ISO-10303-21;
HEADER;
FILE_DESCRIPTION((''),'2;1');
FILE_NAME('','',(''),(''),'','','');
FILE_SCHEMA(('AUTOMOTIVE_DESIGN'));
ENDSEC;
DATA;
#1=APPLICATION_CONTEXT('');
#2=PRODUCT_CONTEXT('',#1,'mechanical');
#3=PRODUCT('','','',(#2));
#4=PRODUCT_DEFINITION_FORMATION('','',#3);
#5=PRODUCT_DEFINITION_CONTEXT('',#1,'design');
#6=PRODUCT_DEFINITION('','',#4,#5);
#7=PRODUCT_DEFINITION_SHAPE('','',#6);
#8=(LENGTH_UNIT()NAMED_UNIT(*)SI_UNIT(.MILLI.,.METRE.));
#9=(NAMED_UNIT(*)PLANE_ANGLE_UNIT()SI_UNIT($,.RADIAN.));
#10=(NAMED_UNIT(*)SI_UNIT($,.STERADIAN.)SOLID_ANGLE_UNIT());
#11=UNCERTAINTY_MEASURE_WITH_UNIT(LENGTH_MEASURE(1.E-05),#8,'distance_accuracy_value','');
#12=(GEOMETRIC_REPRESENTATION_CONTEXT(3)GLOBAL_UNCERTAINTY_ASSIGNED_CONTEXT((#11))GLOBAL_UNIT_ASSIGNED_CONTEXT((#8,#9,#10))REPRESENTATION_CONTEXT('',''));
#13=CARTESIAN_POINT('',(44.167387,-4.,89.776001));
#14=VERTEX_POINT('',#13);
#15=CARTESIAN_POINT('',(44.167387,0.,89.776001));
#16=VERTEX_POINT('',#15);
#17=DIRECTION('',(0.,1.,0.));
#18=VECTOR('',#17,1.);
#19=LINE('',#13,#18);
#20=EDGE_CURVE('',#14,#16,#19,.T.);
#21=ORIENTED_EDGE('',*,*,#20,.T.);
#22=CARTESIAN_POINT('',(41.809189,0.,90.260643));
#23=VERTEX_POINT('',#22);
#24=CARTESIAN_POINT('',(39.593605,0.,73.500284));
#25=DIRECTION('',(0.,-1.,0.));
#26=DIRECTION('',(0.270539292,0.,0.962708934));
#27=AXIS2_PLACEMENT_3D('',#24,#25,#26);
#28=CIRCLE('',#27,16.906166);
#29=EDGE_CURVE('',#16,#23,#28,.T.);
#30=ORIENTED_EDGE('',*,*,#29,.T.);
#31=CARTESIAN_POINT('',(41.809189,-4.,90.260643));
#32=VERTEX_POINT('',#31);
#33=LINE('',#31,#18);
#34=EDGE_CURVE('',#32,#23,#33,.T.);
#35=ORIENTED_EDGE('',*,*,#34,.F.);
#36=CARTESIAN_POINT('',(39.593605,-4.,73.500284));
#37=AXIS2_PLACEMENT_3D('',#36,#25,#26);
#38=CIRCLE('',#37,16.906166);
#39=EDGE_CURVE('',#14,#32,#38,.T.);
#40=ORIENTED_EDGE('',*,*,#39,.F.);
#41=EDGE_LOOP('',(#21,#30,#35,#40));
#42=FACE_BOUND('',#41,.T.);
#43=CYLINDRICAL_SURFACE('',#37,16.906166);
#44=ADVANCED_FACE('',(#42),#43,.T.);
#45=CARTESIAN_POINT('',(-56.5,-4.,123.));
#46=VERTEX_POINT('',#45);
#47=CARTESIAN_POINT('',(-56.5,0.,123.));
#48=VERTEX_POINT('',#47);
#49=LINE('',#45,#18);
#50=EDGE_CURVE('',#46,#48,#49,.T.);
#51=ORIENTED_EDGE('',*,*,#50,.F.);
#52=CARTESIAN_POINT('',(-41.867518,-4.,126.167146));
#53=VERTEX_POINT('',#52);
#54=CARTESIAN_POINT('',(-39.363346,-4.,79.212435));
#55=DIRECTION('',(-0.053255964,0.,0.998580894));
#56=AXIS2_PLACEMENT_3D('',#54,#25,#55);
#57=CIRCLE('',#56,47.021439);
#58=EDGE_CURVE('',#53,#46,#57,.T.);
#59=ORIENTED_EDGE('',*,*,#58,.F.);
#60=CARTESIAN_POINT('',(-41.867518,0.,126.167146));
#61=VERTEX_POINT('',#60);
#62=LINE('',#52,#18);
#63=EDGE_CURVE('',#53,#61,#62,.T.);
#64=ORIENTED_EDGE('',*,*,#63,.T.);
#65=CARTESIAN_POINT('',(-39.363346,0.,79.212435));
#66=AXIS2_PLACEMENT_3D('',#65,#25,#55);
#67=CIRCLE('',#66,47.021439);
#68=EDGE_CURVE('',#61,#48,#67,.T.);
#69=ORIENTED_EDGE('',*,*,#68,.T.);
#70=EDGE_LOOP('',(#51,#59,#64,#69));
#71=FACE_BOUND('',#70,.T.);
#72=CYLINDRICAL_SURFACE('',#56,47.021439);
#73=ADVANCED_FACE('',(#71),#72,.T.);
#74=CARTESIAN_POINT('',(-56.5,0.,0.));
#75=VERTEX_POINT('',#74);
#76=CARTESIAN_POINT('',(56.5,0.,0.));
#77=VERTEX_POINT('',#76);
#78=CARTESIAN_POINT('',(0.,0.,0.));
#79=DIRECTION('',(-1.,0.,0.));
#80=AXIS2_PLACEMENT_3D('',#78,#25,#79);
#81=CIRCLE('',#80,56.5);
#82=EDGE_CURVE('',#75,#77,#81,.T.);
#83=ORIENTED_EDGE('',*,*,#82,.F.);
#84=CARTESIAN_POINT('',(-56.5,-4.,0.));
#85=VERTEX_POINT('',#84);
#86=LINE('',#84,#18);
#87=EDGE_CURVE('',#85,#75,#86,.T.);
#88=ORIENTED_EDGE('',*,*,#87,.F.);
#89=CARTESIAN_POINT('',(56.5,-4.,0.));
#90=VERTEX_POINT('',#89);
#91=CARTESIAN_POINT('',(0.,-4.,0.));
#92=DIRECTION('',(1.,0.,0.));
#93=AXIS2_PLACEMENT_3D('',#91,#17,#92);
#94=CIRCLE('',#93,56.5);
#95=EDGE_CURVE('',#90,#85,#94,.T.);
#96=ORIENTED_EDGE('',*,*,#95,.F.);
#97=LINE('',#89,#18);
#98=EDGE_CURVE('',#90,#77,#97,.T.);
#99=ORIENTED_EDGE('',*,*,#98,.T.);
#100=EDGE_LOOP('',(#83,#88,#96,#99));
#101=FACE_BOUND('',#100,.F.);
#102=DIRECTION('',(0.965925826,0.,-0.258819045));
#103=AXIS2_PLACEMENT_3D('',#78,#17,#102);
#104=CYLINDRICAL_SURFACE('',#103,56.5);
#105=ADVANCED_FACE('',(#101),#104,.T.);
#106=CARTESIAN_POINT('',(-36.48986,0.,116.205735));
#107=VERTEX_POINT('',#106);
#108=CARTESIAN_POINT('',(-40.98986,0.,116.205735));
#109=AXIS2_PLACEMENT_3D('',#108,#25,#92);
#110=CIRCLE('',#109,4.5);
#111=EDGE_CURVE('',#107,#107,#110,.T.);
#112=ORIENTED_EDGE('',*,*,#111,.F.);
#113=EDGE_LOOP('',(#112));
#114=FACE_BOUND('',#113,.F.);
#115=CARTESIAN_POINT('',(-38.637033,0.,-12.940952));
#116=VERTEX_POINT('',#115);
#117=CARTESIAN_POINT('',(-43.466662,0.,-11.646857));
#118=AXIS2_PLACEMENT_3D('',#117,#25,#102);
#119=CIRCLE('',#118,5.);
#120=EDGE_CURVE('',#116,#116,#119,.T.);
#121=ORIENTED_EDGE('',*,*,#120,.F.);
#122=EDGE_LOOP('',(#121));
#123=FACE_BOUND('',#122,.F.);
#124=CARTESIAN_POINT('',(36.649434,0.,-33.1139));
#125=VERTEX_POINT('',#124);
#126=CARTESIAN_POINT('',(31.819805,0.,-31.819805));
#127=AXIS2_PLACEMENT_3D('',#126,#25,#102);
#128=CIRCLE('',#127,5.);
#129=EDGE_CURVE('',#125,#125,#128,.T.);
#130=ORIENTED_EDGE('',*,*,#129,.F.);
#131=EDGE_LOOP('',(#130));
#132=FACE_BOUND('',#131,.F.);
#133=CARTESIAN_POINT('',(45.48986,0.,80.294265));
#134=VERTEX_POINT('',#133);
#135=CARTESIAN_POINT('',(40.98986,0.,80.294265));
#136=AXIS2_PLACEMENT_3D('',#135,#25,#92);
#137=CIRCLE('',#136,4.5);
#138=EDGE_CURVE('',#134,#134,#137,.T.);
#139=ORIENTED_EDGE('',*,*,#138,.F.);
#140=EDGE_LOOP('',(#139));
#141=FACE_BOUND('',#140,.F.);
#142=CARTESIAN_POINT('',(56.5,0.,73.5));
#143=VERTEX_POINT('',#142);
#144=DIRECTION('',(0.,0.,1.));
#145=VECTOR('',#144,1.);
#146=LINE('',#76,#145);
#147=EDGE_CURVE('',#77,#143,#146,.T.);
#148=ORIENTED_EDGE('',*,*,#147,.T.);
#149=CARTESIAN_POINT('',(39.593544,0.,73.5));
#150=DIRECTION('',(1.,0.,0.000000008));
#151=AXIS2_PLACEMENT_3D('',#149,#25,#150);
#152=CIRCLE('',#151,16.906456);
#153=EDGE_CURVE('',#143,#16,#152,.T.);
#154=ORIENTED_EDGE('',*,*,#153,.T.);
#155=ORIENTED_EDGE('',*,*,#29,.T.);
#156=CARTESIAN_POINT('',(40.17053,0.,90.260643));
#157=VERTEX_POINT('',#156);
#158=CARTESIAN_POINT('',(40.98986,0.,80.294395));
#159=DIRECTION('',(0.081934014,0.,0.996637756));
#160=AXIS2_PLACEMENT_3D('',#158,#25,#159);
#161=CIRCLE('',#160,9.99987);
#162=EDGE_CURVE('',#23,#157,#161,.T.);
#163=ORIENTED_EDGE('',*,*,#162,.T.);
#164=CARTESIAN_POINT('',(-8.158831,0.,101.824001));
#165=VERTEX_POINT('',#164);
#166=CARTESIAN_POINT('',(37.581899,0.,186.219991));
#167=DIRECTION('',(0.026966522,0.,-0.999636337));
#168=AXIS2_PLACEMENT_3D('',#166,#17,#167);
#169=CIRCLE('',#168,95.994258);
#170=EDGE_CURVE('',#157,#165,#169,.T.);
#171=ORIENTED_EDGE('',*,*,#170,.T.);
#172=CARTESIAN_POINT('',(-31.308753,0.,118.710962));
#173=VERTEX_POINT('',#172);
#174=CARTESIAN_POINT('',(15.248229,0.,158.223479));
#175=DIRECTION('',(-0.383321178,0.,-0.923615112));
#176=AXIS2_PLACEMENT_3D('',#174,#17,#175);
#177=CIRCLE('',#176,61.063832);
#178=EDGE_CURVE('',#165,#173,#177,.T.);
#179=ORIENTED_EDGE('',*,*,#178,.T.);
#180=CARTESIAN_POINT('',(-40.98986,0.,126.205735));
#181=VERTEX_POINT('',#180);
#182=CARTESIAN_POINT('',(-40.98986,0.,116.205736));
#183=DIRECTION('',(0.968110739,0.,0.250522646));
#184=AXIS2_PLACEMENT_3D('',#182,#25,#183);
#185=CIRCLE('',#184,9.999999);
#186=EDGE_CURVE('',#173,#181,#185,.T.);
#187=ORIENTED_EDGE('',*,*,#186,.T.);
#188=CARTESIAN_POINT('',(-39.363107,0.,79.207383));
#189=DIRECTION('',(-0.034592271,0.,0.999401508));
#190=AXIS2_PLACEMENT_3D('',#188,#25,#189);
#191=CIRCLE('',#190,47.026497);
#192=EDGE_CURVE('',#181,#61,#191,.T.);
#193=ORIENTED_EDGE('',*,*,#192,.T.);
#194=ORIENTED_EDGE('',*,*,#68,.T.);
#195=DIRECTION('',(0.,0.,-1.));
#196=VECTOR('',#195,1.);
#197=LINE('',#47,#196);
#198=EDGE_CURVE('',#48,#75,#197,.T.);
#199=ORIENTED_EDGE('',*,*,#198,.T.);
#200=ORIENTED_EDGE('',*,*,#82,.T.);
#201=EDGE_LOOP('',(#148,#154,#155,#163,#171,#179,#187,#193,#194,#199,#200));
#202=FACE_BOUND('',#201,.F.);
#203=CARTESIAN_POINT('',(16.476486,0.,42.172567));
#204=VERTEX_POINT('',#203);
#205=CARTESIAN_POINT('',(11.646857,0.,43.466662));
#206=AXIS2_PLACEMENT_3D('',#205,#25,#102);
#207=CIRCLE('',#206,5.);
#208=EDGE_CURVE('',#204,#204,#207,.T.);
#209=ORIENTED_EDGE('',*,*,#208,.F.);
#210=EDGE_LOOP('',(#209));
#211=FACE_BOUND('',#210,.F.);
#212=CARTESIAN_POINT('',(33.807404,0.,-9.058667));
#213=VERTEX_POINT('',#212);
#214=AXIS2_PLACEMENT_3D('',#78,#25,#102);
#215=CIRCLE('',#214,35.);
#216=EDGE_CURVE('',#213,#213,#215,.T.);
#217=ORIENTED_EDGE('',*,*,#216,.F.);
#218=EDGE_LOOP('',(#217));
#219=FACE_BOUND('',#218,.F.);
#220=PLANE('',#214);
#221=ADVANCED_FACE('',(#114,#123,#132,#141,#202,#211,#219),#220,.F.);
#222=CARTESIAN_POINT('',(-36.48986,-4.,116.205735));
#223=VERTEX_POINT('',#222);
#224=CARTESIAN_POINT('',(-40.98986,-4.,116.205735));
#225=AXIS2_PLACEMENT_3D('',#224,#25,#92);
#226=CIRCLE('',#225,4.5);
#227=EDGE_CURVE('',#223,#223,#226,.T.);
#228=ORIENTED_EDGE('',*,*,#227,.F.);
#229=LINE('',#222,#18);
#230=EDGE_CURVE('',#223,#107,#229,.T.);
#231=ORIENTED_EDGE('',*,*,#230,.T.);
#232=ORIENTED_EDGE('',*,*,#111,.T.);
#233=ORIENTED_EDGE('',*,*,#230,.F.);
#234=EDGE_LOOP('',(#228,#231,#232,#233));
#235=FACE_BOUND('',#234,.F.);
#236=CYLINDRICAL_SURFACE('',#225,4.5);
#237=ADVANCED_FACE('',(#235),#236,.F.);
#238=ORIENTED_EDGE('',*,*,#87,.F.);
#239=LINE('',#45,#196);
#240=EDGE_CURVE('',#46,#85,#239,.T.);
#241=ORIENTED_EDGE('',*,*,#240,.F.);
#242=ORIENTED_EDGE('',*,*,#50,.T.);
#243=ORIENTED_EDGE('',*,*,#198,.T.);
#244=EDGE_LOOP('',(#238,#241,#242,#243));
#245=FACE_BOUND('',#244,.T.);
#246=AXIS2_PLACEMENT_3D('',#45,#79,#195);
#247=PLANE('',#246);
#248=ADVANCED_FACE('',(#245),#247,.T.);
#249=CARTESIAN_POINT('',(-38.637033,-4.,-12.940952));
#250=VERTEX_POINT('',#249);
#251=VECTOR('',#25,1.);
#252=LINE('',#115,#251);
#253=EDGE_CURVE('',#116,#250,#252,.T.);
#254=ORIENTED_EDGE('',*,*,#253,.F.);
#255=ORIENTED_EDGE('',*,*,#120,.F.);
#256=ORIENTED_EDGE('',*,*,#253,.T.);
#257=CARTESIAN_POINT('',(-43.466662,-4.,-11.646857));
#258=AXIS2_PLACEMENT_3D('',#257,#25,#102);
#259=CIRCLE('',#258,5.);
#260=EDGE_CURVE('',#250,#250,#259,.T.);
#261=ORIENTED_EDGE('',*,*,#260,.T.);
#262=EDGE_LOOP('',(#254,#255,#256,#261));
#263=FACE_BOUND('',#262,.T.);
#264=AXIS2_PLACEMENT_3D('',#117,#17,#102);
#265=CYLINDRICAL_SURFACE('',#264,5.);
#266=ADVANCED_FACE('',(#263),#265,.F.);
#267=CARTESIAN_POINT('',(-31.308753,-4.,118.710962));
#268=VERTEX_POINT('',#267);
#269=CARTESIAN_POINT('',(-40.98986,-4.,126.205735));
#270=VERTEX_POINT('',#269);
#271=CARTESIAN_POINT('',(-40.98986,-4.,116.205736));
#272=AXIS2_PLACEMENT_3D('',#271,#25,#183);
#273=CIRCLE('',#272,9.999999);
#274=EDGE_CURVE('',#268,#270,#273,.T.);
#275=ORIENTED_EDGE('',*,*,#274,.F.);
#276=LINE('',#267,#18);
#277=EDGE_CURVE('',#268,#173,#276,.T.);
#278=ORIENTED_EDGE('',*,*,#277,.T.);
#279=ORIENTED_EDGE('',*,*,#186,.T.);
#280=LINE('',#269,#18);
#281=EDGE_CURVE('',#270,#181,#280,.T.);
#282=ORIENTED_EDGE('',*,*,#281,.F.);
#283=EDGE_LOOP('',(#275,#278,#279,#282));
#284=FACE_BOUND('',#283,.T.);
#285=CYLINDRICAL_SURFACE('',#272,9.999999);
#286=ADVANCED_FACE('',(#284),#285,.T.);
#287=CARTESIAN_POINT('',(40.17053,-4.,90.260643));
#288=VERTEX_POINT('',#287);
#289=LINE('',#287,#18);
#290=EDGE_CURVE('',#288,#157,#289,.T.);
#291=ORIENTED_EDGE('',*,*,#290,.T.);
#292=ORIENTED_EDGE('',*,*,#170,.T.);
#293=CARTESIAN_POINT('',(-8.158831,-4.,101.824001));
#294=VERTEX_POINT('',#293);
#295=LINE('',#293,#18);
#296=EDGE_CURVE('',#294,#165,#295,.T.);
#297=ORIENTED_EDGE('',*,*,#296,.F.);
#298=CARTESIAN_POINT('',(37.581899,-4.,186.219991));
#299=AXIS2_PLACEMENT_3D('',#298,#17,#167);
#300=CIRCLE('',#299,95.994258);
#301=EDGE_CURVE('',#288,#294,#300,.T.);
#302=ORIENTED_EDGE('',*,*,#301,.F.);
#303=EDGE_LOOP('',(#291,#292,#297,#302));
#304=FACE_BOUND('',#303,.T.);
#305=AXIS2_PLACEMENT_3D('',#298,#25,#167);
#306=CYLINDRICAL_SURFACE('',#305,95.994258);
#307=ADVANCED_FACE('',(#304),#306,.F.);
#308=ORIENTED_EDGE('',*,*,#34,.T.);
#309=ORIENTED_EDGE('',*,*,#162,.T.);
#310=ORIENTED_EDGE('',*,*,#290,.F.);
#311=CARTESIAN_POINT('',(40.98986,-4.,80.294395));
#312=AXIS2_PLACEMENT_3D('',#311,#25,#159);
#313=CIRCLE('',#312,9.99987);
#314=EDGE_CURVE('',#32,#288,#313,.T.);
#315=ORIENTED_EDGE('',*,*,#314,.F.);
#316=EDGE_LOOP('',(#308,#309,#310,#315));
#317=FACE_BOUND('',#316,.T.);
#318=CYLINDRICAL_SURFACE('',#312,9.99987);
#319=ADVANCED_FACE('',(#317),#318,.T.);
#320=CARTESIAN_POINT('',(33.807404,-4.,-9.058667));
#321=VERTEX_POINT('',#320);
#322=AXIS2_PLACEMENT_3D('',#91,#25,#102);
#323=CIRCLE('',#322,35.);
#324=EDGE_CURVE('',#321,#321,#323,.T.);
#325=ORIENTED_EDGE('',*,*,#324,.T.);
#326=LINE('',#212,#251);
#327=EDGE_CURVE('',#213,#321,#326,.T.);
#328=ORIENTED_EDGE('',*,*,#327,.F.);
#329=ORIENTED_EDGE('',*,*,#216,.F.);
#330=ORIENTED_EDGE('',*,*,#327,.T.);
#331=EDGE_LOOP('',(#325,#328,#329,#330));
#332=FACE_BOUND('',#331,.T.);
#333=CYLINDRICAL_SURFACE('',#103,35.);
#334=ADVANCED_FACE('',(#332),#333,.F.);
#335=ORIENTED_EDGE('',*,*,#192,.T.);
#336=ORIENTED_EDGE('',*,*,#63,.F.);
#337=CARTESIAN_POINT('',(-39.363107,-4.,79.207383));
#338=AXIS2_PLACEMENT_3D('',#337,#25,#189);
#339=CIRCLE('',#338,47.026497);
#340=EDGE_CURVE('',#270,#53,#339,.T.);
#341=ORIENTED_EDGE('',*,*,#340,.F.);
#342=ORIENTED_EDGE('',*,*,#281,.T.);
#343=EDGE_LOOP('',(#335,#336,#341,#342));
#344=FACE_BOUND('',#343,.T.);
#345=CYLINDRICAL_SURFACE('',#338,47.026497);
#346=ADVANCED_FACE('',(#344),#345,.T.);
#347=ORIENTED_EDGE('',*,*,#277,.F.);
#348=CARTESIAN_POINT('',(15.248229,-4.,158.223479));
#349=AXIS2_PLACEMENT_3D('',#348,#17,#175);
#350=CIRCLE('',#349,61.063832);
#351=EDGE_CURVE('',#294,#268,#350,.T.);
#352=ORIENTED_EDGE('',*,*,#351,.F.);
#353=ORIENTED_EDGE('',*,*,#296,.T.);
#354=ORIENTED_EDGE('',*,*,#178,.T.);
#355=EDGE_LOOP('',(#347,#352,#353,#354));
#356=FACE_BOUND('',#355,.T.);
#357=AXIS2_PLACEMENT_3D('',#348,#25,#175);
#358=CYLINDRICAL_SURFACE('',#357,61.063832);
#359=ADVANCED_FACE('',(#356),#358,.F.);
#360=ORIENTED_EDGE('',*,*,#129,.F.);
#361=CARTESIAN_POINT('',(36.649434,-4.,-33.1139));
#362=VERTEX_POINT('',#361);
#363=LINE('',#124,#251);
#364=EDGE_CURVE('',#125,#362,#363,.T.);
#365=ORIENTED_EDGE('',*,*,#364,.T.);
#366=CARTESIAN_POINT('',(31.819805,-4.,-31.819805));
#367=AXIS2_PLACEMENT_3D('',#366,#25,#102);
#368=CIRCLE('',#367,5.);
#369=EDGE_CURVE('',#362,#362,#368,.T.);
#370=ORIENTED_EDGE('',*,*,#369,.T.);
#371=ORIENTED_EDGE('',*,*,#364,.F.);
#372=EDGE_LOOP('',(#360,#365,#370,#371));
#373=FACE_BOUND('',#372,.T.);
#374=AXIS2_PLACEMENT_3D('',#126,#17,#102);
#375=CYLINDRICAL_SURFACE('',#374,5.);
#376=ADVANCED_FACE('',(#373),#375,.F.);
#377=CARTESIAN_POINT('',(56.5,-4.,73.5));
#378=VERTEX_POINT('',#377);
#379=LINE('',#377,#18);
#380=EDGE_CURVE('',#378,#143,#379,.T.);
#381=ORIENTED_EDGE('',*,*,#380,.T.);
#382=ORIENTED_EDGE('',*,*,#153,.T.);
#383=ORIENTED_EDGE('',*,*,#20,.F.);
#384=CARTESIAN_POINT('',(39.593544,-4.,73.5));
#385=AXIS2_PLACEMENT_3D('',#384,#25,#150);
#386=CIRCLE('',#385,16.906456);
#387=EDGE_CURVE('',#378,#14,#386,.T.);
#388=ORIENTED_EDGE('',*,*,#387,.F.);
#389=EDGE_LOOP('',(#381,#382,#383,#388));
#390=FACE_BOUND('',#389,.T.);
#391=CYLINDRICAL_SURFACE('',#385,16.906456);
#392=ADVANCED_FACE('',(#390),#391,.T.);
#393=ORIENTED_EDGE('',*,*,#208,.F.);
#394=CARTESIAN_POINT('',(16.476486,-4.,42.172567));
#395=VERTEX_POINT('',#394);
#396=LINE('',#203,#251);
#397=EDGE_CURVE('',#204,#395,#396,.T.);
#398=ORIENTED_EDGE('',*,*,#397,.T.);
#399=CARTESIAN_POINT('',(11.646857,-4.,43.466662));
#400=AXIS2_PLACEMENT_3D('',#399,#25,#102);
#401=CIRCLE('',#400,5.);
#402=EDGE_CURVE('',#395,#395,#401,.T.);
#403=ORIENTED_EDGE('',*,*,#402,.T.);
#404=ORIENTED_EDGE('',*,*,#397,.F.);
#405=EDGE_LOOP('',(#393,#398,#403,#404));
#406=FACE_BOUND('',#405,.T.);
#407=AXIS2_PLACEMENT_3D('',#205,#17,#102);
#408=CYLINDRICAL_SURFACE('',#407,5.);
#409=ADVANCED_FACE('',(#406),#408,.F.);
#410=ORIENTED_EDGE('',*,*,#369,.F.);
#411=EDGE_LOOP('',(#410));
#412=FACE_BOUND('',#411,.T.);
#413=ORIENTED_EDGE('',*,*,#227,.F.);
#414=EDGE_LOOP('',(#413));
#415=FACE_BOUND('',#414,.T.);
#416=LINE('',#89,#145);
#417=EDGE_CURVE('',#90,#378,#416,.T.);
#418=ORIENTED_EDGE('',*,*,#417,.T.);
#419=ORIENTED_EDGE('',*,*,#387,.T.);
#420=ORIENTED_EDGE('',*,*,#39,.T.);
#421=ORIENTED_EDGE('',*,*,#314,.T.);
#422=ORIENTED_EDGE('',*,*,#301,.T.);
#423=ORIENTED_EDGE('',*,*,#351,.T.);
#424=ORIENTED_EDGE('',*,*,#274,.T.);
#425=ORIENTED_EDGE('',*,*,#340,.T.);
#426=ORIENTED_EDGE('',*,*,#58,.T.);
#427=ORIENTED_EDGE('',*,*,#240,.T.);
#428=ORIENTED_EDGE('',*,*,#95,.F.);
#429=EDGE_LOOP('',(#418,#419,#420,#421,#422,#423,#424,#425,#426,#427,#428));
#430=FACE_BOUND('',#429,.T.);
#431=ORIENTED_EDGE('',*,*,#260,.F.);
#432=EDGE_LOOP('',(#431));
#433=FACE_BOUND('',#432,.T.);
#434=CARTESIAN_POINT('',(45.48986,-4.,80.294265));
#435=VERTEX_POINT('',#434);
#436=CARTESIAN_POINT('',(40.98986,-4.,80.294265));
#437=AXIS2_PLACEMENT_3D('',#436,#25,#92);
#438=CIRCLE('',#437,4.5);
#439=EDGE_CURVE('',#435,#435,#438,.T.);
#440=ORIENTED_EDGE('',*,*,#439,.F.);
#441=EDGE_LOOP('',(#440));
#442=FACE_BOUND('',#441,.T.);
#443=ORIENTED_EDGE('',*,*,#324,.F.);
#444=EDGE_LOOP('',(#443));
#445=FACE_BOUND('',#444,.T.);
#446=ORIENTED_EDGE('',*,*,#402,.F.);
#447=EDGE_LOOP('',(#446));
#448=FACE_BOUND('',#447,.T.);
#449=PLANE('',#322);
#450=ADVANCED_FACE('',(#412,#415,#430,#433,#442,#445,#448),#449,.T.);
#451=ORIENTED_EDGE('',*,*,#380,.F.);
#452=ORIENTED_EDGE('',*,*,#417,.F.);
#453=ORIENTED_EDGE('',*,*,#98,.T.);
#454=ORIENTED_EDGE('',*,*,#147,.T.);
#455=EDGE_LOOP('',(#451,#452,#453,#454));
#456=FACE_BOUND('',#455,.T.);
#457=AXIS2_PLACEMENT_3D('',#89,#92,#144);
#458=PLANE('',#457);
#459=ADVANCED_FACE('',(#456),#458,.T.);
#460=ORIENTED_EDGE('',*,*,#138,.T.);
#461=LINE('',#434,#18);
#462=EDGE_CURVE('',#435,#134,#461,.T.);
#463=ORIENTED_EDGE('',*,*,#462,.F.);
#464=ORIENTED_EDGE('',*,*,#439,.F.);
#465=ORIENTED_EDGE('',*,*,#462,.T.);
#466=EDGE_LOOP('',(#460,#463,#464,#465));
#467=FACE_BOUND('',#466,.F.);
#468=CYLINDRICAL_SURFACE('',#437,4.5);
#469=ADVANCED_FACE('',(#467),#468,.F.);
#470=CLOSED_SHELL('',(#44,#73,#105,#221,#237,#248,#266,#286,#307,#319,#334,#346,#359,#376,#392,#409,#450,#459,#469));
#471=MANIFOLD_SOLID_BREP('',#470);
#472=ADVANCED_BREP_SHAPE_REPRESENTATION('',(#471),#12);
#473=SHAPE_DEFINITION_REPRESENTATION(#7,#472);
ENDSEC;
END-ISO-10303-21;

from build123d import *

# Parameters (mm, degrees)
F0_R     = 56.5
F0_R_2   = 5
F0_R_3   = 35
F1_DEPTH = 4
F2_ANGLE = -15
F3_R     = 4.5
F4_DEPTH = 4


with BuildPart() as f1:
    # F0 (on Front) → F1 (new body)
    with BuildSketch(Plane.XZ):
        Circle(F0_R)
        with Locations((-38.971143, -22.5)):
            Circle(F0_R_2, mode=Mode.SUBTRACT)
        with Locations((38.971143, -22.5)):
            Circle(F0_R_2, mode=Mode.SUBTRACT)
        Circle(F0_R_3, mode=Mode.SUBTRACT)
        with Locations((0, 45)):
            Circle(F0_R_2, mode=Mode.SUBTRACT)
    extrude(amount=F1_DEPTH)


with BuildPart() as f1_1:
    # F2: moved
    add(f1.part.rotate(Axis((0, -4, 0), (0, -1, 0)), F2_ANGLE))

    # F3 (on face) → F4 (join)
    with BuildSketch(Plane.XZ.offset(4)):
        with BuildLine():
            Line((-56.5, 123), (-56.5, 0))
            ThreePointArc((-56.5, 0), (0, 56.5), (56.5, 0))
            Line((56.5, 0), (56.5, 73.5))
            ThreePointArc((56.5, 73.5), (53.068627, 83.710308), (44.167387, 89.776001))
            ThreePointArc((44.167387, 89.776001), (49.10698, 86.134844), (50.98986, 80.294265))
            ThreePointArc((50.98986, 80.294265), (34.214658, 72.939223), (40.17053, 90.260643))
            ThreePointArc((40.17053, 90.260643), (15.244627, 92.860772), (-8.158831, 101.824001))
            ThreePointArc((-8.158831, 101.824001), (-20.738354, 108.890352), (-31.308753, 118.710962))
            ThreePointArc((-31.308753, 118.710962), (-31.069903, 117.468456), (-30.98986, 116.205735))
            ThreePointArc((-30.98986, 116.205735), (-47.743504, 108.830893), (-41.867518, 126.167146))
            ThreePointArc((-41.867518, 126.167146), (-49.310618, 125.169671), (-56.5, 123))
        make_face()
        with BuildLine():
            ThreePointArc((-40.98986, 126.205735), (-41.428779, 126.18849), (-41.867518, 126.167146))
            ThreePointArc((-41.867518, 126.167146), (-47.743504, 108.830893), (-30.98986, 116.205735))
            ThreePointArc((-30.98986, 116.205735), (-31.069903, 117.468456), (-31.308753, 118.710962))
            ThreePointArc((-31.308753, 118.710962), (-34.86827, 124.113082), (-40.98986, 126.205735))
        make_face()
        with Locations((-40.98986, 116.205735)):
            Circle(F3_R, mode=Mode.SUBTRACT)
        with BuildLine():
            ThreePointArc((50.98986, 80.294265), (49.10698, 86.134844), (44.167387, 89.776001))
            ThreePointArc((44.167387, 89.776001), (42.996926, 90.060352), (41.809189, 90.260643))
            ThreePointArc((41.809189, 90.260643), (40.98986, 90.294265), (40.17053, 90.260643))
            ThreePointArc((40.17053, 90.260643), (34.214658, 72.939223), (50.98986, 80.294265))
        make_face()
        with Locations((40.98986, 80.294265)):
            Circle(F3_R, mode=Mode.SUBTRACT)
    extrude(amount=-F4_DEPTH)


solid = f1_1.part
